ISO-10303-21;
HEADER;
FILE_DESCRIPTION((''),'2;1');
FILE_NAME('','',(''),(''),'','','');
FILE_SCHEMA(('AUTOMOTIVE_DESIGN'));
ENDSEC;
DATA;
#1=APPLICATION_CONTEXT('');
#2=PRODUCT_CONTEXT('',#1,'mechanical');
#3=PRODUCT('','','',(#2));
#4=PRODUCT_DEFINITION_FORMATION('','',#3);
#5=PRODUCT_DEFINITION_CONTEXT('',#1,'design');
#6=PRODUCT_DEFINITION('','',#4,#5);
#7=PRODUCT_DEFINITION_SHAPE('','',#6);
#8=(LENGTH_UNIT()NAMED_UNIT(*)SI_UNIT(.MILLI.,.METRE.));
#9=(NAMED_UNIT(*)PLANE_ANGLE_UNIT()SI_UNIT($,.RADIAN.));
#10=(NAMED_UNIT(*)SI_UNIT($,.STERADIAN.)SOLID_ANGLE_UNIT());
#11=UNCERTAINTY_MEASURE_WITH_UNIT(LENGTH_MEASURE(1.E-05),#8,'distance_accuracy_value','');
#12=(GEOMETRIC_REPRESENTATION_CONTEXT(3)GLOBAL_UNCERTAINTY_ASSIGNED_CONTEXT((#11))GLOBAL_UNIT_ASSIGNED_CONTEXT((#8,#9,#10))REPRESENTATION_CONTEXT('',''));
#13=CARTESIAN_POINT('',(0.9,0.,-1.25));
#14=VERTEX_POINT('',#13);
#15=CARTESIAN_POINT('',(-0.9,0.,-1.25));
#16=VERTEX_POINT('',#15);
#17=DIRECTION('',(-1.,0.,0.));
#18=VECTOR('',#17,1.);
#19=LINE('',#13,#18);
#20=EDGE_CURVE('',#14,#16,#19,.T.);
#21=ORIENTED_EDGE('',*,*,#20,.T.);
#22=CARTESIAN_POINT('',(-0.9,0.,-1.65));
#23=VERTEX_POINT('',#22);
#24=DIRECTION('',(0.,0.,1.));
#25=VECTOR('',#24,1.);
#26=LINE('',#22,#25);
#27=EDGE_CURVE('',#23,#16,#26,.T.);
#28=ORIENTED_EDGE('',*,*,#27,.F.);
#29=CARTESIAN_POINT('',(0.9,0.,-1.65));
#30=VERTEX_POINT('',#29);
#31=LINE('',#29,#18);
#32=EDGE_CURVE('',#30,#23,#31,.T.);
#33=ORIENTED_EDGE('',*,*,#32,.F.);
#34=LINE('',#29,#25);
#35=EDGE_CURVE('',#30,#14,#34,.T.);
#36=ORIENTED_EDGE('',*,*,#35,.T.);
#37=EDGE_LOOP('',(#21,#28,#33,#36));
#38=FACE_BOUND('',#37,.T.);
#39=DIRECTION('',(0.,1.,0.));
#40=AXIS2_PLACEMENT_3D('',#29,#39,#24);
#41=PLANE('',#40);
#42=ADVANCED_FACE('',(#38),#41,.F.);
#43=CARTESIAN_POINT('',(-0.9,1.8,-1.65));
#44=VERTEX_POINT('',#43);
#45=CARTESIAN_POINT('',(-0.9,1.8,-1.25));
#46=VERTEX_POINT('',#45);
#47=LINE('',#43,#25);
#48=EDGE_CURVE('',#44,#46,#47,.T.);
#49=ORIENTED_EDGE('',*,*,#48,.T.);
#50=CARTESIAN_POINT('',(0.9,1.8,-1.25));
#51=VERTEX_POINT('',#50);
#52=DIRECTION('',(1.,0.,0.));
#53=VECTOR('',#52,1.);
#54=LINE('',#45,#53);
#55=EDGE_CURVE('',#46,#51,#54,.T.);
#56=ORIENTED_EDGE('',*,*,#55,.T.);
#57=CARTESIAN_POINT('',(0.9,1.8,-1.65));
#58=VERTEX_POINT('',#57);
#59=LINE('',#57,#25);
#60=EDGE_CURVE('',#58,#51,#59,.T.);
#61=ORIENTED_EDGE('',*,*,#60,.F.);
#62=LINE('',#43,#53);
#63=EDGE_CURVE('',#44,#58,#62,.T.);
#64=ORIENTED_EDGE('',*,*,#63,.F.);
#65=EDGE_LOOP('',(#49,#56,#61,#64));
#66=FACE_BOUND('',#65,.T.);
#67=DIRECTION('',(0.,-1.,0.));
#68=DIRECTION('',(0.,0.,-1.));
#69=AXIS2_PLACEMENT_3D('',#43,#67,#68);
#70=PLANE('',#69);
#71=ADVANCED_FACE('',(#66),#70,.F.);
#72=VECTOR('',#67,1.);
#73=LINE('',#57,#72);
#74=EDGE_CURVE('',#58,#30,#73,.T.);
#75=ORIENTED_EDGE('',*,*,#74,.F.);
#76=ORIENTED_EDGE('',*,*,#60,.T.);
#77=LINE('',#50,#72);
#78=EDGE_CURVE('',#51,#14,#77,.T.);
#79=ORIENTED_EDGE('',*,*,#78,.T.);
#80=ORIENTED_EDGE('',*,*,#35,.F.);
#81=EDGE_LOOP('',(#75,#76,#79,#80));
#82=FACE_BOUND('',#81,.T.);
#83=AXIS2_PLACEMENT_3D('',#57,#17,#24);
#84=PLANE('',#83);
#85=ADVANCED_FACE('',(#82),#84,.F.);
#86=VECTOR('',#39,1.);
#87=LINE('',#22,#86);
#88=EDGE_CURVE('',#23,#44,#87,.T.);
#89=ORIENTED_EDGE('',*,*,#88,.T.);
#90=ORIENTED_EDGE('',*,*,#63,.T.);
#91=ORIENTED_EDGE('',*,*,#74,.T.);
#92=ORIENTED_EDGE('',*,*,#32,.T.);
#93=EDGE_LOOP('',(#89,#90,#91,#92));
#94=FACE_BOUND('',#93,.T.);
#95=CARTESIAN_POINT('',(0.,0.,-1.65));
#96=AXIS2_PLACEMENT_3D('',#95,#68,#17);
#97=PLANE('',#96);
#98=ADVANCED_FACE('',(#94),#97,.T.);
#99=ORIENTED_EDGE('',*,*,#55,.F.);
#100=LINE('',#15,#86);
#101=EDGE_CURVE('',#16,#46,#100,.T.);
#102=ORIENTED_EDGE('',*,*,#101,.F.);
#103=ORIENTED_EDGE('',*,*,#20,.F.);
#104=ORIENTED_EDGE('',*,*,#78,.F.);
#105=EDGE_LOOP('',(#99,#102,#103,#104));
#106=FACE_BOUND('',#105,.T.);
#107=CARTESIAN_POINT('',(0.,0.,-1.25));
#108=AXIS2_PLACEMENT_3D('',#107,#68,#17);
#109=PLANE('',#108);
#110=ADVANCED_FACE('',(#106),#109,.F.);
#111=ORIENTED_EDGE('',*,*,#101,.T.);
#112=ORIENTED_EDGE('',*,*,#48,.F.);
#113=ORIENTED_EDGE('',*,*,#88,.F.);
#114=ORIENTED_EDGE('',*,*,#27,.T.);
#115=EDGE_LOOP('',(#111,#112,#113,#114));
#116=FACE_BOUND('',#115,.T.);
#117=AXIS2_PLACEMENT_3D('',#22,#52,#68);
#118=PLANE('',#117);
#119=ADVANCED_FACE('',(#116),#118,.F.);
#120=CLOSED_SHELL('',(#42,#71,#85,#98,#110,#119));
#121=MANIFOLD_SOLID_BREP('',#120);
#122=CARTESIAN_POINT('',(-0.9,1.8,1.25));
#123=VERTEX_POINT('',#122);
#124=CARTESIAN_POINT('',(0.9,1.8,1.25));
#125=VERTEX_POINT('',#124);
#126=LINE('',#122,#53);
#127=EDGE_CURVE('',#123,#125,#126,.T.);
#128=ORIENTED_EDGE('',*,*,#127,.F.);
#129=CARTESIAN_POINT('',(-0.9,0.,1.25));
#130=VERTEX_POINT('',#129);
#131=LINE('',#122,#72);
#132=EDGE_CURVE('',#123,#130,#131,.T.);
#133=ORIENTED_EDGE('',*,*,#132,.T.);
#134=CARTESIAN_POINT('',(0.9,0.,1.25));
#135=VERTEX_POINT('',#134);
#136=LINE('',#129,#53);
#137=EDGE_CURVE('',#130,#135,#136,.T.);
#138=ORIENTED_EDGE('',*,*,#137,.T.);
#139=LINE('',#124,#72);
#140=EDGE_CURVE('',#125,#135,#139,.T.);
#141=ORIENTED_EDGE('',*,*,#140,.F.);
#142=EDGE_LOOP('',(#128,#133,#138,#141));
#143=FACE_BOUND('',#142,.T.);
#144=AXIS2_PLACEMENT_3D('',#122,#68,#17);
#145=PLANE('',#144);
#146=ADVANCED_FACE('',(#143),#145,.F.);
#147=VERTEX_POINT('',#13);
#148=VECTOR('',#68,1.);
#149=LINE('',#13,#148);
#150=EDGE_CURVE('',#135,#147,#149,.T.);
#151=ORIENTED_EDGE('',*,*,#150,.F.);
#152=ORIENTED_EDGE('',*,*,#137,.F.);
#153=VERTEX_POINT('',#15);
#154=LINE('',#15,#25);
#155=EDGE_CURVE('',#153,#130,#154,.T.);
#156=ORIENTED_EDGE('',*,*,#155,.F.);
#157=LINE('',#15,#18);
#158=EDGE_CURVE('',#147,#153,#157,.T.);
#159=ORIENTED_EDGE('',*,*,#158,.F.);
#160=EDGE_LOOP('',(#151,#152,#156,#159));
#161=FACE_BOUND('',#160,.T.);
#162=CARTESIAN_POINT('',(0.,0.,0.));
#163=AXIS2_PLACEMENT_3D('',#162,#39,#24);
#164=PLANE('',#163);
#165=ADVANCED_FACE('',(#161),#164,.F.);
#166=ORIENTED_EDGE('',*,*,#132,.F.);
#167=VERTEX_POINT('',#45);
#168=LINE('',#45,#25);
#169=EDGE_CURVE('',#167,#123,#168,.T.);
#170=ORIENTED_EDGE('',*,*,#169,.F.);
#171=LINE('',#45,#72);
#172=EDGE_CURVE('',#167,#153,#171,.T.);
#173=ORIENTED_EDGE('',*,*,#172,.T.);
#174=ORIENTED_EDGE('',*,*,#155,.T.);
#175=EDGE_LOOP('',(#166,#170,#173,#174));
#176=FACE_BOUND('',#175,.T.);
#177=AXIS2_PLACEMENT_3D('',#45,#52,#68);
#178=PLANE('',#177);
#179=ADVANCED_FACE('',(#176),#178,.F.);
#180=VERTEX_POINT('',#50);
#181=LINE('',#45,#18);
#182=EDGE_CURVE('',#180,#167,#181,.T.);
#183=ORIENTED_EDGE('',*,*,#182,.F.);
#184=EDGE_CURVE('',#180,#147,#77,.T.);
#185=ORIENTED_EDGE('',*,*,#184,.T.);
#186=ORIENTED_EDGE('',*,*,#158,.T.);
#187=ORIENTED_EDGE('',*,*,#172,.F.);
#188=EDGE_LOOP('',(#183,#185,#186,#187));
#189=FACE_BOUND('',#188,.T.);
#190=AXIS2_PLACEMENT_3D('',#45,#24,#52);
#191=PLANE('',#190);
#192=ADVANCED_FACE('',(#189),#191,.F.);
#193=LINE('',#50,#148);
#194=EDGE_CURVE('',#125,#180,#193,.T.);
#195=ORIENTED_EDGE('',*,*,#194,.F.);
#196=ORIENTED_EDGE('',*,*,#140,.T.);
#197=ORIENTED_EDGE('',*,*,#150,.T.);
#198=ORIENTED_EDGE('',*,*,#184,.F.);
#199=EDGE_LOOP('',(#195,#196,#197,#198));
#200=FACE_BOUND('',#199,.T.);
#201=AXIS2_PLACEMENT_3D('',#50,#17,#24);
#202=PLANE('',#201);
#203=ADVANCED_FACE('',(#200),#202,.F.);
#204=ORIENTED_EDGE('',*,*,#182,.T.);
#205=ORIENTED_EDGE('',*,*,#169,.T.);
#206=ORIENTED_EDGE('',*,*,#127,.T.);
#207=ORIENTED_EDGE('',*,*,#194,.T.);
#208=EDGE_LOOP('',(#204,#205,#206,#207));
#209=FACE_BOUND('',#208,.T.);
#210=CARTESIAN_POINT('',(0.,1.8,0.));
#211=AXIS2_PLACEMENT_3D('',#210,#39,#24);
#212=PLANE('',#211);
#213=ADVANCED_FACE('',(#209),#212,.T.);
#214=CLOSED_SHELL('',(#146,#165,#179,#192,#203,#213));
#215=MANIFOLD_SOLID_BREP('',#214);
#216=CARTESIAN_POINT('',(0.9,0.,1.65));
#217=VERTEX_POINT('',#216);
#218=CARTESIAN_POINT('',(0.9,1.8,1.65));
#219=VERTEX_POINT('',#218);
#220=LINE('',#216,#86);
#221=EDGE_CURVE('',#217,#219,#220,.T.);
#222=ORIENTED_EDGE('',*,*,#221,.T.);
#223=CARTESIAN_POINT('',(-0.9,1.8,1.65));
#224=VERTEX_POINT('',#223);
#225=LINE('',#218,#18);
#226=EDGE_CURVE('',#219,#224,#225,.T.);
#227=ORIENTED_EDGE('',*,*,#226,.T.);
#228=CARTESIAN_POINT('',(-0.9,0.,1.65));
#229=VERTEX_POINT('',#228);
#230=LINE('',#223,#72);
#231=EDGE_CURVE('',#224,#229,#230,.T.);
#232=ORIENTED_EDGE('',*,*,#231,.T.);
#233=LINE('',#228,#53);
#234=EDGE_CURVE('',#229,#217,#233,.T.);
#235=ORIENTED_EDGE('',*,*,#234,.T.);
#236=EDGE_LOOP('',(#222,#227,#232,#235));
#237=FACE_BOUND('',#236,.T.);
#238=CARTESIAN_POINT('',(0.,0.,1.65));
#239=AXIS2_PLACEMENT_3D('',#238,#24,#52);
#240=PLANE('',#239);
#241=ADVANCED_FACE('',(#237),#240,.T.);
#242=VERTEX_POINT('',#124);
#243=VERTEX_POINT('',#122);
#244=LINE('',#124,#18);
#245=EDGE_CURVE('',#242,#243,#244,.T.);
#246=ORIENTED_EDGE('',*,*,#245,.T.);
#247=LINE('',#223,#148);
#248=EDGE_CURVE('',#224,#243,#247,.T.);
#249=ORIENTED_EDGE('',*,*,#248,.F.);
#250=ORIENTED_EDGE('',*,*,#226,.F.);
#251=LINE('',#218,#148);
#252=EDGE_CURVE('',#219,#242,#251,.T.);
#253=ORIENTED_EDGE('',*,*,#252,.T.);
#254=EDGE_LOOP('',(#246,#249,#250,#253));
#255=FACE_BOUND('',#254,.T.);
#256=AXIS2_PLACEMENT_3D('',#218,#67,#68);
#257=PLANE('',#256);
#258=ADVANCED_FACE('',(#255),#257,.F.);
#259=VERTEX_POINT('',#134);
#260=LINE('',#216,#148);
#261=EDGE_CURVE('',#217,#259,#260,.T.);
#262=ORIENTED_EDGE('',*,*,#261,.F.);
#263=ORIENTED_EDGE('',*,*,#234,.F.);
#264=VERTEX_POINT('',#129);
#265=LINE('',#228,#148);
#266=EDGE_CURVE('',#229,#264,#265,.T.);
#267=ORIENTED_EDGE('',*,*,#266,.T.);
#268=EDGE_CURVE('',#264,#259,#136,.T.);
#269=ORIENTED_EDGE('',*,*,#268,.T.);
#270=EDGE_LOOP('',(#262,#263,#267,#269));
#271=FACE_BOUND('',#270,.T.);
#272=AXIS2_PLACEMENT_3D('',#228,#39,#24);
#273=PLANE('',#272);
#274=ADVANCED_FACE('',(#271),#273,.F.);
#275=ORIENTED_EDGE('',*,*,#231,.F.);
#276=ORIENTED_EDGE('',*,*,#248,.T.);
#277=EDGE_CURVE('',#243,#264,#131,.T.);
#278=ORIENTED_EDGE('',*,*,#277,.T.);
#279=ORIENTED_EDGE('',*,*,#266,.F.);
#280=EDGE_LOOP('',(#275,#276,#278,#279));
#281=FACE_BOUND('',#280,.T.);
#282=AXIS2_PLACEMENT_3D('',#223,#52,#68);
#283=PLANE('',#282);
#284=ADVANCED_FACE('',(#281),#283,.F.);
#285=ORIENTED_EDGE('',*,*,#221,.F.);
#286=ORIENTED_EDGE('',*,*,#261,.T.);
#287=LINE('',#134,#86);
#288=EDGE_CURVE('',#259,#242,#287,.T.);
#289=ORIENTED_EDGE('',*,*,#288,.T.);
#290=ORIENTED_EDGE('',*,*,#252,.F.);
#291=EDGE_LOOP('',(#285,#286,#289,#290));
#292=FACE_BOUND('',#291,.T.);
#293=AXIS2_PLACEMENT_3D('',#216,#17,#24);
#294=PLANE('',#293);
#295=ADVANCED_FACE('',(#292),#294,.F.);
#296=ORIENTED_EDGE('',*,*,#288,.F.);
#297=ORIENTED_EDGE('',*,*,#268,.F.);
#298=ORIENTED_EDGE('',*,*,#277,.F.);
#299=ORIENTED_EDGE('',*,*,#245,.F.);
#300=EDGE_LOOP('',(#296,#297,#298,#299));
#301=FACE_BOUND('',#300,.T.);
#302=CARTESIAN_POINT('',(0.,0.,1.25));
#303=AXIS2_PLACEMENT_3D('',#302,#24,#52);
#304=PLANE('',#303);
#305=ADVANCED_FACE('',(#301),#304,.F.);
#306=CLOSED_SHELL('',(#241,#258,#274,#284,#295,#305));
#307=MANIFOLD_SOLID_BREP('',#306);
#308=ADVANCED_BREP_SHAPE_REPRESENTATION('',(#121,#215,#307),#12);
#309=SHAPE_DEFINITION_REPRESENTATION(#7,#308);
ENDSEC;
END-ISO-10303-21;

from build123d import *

# Parameters (mm, degrees)
SKETCH1_W  = 1.8
SKETCH1_H  = 2.5
MB_DEPTH   = 1.8
SKETCH2_W  = 1.8
SKETCH2_H  = 1.8
SB_L_DEPTH = 0.4
SKETCH3_W  = 1.8
SKETCH3_H  = 1.8
SB_R_DEPTH = 0.4


with BuildPart() as part:
    # Sketch1 → MB (new body)
    with BuildSketch(Plane(origin=(0, 0, 0), x_dir=(1, 0, 0), z_dir=(0, 1, 0))):
        Rectangle(SKETCH1_W, SKETCH1_H)
    extrude(amount=MB_DEPTH)


with BuildPart() as body_2:
    # Sketch2 → SB L (new body)
    with BuildSketch(Plane.XY.offset(1.25)):
        with Locations((0, 0.9)):
            Rectangle(SKETCH2_W, SKETCH2_H)
    extrude(amount=SB_L_DEPTH)


with BuildPart() as body_3:
    # Sketch3 → SB R (new body)
    with BuildSketch(Plane(origin=(0, 0, -1.25), x_dir=(-1, 0, 0), z_dir=(0, 0, -1))):
        with Locations((0, 0.9)):
            Rectangle(SKETCH3_W, SKETCH3_H)
    extrude(amount=SB_R_DEPTH)


solid = Compound([part.part, body_2.part, body_3.part])
